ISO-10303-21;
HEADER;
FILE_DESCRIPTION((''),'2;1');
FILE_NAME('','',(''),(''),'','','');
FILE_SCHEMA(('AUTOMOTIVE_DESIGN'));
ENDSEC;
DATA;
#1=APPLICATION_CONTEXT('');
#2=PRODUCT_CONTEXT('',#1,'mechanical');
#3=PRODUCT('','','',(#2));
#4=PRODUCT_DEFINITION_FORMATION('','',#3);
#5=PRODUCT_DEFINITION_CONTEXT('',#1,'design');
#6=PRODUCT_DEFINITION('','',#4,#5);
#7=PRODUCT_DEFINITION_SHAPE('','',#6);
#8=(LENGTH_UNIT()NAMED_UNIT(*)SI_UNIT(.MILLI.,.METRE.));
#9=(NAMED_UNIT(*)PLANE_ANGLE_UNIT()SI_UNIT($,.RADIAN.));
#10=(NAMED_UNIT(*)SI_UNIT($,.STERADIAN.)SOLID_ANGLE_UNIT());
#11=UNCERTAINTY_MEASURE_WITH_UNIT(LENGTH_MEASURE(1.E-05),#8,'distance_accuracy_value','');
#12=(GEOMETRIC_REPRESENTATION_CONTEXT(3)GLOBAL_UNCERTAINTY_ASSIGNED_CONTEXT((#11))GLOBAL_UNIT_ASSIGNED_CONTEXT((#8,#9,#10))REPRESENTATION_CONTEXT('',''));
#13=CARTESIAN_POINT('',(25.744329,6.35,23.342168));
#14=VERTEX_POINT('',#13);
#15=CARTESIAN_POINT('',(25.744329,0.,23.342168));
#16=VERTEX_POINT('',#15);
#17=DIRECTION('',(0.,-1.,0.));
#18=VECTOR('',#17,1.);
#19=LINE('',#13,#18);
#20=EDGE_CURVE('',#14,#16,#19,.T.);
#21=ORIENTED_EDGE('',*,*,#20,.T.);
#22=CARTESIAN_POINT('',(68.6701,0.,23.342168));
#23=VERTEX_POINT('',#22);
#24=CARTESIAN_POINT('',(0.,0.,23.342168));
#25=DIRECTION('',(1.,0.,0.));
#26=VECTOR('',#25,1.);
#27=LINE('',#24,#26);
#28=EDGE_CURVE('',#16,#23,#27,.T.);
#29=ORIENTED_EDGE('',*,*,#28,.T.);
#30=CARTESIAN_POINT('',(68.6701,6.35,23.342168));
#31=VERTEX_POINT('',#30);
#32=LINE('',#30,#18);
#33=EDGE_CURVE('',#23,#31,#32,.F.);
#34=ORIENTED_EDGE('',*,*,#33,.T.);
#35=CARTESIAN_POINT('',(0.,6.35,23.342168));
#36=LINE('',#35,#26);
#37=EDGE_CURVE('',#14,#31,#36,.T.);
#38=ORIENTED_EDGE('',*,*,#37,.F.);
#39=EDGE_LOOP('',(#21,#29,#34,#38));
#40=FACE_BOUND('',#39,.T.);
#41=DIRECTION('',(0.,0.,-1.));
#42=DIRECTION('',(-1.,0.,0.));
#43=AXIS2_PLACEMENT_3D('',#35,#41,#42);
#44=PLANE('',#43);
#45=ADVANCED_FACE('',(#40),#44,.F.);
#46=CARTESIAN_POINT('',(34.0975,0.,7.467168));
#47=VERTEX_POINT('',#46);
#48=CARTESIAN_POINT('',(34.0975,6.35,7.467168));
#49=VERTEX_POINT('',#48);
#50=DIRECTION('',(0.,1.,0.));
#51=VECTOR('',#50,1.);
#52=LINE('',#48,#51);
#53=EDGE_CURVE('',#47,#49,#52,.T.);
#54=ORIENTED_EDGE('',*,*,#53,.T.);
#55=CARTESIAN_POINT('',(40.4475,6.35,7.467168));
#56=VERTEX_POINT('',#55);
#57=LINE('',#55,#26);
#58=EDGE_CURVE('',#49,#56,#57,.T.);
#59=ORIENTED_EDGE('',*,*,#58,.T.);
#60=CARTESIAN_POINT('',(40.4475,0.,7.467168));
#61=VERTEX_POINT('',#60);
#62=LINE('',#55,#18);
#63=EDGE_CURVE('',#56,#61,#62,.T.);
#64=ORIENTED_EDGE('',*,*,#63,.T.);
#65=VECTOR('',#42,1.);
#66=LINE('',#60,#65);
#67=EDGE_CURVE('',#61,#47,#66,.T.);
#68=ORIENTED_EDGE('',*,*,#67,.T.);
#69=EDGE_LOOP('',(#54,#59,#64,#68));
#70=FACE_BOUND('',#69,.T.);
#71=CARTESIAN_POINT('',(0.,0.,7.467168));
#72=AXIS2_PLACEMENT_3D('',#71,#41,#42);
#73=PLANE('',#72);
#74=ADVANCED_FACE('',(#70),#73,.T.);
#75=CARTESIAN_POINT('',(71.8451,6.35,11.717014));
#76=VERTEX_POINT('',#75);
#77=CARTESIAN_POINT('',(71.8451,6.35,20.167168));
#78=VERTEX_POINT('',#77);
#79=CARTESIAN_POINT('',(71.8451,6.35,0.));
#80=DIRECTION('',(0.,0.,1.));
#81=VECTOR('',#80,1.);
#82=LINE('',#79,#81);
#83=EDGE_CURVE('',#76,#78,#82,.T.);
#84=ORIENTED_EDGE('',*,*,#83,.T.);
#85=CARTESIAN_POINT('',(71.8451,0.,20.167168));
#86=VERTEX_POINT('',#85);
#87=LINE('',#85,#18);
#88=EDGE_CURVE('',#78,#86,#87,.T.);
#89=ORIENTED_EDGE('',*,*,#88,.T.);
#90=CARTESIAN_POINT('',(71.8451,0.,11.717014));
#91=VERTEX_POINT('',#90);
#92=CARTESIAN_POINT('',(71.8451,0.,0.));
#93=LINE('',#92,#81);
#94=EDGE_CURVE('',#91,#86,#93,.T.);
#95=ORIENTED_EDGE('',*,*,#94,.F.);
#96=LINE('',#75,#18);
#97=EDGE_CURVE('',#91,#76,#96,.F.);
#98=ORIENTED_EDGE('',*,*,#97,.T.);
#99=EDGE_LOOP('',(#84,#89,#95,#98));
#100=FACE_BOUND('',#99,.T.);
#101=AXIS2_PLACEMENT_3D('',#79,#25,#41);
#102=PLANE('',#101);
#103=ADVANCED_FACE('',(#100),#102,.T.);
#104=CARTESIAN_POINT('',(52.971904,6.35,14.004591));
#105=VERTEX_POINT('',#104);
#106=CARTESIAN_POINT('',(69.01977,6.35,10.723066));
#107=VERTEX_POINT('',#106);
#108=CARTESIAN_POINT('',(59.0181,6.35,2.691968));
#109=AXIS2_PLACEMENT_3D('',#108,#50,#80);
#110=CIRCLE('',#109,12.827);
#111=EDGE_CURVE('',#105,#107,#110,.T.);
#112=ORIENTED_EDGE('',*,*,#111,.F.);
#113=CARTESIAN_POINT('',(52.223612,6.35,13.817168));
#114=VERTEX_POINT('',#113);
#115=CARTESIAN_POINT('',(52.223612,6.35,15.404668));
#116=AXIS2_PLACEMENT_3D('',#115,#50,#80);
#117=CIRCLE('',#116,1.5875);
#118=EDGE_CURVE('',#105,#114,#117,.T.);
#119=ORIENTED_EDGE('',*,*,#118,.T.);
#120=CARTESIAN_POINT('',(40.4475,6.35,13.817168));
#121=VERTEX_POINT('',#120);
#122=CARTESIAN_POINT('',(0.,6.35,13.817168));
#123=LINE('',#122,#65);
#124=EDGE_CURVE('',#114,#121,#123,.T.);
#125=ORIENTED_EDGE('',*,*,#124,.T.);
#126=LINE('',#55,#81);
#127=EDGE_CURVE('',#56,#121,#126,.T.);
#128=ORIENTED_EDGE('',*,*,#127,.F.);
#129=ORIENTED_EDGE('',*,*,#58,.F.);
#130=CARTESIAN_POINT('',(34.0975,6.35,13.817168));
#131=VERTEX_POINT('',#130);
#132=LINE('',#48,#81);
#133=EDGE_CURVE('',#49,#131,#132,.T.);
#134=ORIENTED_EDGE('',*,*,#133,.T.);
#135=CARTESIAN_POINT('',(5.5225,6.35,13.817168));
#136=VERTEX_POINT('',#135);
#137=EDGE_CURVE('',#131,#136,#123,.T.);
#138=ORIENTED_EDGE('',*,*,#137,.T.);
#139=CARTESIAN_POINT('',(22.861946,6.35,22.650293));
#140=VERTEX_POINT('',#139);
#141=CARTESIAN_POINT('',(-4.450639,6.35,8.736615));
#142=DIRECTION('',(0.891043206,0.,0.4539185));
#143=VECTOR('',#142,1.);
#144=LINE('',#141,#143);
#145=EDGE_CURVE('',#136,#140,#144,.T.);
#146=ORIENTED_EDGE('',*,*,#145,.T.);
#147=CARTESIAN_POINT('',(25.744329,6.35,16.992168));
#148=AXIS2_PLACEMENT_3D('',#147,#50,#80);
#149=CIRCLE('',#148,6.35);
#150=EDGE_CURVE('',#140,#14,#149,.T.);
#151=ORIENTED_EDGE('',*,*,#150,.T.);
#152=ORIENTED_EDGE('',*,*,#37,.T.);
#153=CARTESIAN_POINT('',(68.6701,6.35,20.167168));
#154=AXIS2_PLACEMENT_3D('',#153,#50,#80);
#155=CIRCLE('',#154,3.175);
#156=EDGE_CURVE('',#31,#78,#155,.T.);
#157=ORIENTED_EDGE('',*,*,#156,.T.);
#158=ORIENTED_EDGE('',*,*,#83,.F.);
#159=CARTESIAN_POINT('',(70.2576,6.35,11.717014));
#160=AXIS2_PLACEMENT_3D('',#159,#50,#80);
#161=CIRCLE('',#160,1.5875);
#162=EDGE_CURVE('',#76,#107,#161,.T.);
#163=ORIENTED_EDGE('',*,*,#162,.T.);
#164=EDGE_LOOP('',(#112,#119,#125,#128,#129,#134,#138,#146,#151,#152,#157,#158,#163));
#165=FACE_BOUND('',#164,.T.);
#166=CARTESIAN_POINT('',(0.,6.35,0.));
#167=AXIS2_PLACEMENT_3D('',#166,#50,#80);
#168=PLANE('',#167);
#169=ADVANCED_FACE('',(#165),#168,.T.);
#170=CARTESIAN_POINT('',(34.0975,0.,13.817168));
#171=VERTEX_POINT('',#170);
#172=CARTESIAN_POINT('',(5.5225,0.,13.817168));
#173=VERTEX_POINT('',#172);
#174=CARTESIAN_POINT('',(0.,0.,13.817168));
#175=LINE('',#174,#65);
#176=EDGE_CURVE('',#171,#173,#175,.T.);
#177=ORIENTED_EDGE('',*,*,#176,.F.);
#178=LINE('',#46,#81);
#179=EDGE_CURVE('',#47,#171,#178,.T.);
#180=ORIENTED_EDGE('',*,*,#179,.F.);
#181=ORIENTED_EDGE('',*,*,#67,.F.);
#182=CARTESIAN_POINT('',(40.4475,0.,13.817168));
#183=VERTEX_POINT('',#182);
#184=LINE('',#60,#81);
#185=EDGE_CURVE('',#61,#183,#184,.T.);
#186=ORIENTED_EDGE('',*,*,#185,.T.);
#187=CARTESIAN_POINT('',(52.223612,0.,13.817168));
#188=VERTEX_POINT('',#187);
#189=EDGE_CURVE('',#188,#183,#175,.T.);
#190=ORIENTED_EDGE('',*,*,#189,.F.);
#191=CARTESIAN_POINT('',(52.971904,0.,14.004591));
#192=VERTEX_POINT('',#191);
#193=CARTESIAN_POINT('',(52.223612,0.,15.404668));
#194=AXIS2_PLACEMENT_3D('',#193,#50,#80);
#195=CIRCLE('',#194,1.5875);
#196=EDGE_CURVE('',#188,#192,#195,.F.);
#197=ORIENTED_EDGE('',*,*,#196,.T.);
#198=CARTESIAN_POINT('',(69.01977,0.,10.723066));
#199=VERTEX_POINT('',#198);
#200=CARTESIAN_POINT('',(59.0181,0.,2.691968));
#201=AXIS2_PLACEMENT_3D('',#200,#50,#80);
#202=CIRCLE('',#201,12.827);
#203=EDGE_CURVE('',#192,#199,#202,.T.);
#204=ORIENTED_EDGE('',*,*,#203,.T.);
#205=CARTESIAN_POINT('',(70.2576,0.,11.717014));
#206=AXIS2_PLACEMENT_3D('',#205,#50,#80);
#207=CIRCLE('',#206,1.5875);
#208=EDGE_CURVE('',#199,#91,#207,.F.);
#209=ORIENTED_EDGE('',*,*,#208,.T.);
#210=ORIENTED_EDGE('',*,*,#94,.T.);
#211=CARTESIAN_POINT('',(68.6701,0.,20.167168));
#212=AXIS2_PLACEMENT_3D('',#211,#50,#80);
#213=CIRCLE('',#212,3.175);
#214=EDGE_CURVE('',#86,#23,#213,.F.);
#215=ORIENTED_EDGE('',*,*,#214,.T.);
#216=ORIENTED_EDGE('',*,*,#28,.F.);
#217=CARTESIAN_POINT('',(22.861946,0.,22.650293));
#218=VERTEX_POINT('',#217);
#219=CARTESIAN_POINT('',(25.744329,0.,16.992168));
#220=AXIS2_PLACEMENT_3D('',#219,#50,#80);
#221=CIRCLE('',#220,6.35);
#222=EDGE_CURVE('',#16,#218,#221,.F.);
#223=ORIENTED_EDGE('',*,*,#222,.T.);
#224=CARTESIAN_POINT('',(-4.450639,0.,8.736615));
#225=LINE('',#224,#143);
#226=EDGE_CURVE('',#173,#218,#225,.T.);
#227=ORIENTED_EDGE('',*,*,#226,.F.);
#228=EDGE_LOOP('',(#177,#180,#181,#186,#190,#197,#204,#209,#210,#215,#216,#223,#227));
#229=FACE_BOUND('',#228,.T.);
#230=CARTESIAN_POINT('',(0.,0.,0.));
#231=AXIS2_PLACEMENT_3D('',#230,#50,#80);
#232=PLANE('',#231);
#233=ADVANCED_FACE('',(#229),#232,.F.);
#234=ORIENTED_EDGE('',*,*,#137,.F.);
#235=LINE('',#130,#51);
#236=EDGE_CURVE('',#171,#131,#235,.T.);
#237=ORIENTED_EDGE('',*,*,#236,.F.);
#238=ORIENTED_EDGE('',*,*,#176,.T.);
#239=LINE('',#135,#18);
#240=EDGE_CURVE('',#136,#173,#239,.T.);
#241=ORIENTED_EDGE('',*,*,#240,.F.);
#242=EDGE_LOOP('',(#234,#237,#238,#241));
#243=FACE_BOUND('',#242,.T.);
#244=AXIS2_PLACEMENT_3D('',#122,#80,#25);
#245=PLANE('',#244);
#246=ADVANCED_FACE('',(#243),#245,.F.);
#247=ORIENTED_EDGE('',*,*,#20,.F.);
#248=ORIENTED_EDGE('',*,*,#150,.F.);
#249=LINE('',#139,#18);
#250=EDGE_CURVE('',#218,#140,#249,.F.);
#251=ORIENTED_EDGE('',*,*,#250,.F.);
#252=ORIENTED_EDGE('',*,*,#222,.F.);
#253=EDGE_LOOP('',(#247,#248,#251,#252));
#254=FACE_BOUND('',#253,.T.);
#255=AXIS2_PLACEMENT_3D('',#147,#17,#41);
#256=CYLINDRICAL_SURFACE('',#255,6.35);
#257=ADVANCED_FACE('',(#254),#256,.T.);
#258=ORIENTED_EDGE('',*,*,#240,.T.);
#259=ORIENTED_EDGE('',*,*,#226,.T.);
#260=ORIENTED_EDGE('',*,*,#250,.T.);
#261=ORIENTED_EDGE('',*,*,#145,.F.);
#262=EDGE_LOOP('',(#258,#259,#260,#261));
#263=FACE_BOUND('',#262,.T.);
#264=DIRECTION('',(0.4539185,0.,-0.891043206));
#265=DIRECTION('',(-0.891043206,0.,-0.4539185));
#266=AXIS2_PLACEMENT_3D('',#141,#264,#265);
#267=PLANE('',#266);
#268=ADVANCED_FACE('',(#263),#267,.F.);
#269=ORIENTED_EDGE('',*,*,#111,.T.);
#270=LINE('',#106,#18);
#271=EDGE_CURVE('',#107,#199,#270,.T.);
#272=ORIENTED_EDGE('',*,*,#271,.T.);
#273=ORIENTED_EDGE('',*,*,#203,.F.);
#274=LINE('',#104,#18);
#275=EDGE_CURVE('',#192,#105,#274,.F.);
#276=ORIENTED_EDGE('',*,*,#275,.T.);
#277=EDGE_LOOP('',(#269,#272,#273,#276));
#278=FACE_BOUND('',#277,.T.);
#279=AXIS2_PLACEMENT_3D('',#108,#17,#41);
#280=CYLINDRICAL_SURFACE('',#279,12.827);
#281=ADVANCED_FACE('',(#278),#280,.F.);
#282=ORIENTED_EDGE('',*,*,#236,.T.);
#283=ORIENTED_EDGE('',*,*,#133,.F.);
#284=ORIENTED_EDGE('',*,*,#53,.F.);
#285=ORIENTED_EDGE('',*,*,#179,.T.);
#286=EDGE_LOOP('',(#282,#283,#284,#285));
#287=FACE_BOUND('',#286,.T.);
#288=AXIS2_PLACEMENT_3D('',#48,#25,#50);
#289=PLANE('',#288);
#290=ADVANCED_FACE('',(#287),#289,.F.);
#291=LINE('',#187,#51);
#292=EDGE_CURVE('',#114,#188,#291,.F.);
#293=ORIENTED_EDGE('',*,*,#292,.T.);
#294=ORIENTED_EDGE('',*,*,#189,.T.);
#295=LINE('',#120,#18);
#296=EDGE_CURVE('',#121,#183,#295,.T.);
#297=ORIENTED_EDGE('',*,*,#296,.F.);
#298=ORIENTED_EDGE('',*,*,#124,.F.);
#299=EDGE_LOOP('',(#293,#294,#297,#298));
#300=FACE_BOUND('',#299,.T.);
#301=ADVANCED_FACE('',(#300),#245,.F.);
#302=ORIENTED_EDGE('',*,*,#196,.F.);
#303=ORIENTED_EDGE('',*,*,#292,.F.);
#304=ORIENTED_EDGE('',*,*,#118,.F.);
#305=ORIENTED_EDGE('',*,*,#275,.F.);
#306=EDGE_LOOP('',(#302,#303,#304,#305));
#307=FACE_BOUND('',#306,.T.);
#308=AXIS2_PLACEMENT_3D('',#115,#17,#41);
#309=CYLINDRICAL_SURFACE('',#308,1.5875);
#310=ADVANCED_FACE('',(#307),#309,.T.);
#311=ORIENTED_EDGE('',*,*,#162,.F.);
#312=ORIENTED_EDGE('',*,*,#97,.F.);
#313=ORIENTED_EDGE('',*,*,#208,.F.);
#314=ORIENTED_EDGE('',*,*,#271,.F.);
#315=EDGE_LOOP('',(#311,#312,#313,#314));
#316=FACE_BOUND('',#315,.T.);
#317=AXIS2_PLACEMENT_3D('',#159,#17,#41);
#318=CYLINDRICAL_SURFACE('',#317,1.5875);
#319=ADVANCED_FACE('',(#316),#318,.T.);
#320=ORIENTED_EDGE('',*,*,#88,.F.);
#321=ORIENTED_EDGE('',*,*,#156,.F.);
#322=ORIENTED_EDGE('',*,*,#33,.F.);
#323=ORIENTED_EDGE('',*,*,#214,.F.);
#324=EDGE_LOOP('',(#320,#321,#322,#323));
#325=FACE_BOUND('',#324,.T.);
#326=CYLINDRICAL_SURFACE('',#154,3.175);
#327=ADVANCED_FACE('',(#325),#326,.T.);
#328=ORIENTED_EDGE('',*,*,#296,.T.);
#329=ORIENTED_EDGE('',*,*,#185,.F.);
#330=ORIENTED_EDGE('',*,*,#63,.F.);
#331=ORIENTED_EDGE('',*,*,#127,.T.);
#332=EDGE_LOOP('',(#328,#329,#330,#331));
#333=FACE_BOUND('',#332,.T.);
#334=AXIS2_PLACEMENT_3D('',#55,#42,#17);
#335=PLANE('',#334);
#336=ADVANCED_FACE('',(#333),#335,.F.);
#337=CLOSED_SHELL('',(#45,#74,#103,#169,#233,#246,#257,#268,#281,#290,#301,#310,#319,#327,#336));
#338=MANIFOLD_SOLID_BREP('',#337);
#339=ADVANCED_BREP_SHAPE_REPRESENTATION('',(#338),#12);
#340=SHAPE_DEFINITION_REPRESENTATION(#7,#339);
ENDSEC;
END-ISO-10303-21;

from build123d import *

# Parameters (mm, degrees)
BOSS_EXTRUDE1_DEPTH = 6.35
FILLET1_R           = 1.5875
FILLET2_R           = 6.35
FILLET3_R           = 3.175
SKETCH6_W           = 6.35
SKETCH6_H           = 6.35
BOSS_EXTRUDE2_DEPTH = 6.35


with BuildPart() as part:
    # Sketch1 → Boss-Extrude1 (new body)
    with BuildSketch(Plane(origin=(0, 0, 0), x_dir=(1, 0, 0), z_dir=(0, 1, 0))):
        with BuildLine():
            ThreePointArc((71.8451, -2.691968416), (65.44608311, -13.792101845), (52.633598926, -13.817168416))
            Line((52.633598926, -13.817168416), (5.5225, -13.817168416))
            Line((5.5225, -13.817168416), (24.2201, -23.342168416))
            Line((24.2201, -23.342168416), (71.8451, -23.342168416))
            Line((71.8451, -23.342168416), (71.8451, -2.691968416))
        make_face()
    extrude(amount=BOSS_EXTRUDE1_DEPTH)

    # Fillet1
    fillet1_edges = [part.edges().sort_by_distance(p)[0] for p in [
        (71.8451, 3.175, 2.691968416),
        (52.633598926, 3.175, 13.817168416),
    ]]
    fillet(fillet1_edges, radius=FILLET1_R)

    # Fillet2
    fillet2_edges = [part.edges().sort_by_distance(p)[0] for p in [
        (24.2201, 3.175, 23.342168416),
    ]]
    fillet(fillet2_edges, radius=FILLET2_R)

    # Fillet3
    fillet3_edges = [part.edges().sort_by_distance(p)[0] for p in [
        (71.8451, 3.175, 23.342168416),
    ]]
    fillet(fillet3_edges, radius=FILLET3_R)

    # Sketch6 → Boss-Extrude2 (add)
    with BuildSketch(Plane(origin=(0, 0, 13.817168416), x_dir=(-1, 0, 0), z_dir=(0, 0, -1))):
        with Locations((-37.2725, 3.175)):
            Rectangle(SKETCH6_W, SKETCH6_H)
    extrude(amount=BOSS_EXTRUDE2_DEPTH)


solid = part.part
